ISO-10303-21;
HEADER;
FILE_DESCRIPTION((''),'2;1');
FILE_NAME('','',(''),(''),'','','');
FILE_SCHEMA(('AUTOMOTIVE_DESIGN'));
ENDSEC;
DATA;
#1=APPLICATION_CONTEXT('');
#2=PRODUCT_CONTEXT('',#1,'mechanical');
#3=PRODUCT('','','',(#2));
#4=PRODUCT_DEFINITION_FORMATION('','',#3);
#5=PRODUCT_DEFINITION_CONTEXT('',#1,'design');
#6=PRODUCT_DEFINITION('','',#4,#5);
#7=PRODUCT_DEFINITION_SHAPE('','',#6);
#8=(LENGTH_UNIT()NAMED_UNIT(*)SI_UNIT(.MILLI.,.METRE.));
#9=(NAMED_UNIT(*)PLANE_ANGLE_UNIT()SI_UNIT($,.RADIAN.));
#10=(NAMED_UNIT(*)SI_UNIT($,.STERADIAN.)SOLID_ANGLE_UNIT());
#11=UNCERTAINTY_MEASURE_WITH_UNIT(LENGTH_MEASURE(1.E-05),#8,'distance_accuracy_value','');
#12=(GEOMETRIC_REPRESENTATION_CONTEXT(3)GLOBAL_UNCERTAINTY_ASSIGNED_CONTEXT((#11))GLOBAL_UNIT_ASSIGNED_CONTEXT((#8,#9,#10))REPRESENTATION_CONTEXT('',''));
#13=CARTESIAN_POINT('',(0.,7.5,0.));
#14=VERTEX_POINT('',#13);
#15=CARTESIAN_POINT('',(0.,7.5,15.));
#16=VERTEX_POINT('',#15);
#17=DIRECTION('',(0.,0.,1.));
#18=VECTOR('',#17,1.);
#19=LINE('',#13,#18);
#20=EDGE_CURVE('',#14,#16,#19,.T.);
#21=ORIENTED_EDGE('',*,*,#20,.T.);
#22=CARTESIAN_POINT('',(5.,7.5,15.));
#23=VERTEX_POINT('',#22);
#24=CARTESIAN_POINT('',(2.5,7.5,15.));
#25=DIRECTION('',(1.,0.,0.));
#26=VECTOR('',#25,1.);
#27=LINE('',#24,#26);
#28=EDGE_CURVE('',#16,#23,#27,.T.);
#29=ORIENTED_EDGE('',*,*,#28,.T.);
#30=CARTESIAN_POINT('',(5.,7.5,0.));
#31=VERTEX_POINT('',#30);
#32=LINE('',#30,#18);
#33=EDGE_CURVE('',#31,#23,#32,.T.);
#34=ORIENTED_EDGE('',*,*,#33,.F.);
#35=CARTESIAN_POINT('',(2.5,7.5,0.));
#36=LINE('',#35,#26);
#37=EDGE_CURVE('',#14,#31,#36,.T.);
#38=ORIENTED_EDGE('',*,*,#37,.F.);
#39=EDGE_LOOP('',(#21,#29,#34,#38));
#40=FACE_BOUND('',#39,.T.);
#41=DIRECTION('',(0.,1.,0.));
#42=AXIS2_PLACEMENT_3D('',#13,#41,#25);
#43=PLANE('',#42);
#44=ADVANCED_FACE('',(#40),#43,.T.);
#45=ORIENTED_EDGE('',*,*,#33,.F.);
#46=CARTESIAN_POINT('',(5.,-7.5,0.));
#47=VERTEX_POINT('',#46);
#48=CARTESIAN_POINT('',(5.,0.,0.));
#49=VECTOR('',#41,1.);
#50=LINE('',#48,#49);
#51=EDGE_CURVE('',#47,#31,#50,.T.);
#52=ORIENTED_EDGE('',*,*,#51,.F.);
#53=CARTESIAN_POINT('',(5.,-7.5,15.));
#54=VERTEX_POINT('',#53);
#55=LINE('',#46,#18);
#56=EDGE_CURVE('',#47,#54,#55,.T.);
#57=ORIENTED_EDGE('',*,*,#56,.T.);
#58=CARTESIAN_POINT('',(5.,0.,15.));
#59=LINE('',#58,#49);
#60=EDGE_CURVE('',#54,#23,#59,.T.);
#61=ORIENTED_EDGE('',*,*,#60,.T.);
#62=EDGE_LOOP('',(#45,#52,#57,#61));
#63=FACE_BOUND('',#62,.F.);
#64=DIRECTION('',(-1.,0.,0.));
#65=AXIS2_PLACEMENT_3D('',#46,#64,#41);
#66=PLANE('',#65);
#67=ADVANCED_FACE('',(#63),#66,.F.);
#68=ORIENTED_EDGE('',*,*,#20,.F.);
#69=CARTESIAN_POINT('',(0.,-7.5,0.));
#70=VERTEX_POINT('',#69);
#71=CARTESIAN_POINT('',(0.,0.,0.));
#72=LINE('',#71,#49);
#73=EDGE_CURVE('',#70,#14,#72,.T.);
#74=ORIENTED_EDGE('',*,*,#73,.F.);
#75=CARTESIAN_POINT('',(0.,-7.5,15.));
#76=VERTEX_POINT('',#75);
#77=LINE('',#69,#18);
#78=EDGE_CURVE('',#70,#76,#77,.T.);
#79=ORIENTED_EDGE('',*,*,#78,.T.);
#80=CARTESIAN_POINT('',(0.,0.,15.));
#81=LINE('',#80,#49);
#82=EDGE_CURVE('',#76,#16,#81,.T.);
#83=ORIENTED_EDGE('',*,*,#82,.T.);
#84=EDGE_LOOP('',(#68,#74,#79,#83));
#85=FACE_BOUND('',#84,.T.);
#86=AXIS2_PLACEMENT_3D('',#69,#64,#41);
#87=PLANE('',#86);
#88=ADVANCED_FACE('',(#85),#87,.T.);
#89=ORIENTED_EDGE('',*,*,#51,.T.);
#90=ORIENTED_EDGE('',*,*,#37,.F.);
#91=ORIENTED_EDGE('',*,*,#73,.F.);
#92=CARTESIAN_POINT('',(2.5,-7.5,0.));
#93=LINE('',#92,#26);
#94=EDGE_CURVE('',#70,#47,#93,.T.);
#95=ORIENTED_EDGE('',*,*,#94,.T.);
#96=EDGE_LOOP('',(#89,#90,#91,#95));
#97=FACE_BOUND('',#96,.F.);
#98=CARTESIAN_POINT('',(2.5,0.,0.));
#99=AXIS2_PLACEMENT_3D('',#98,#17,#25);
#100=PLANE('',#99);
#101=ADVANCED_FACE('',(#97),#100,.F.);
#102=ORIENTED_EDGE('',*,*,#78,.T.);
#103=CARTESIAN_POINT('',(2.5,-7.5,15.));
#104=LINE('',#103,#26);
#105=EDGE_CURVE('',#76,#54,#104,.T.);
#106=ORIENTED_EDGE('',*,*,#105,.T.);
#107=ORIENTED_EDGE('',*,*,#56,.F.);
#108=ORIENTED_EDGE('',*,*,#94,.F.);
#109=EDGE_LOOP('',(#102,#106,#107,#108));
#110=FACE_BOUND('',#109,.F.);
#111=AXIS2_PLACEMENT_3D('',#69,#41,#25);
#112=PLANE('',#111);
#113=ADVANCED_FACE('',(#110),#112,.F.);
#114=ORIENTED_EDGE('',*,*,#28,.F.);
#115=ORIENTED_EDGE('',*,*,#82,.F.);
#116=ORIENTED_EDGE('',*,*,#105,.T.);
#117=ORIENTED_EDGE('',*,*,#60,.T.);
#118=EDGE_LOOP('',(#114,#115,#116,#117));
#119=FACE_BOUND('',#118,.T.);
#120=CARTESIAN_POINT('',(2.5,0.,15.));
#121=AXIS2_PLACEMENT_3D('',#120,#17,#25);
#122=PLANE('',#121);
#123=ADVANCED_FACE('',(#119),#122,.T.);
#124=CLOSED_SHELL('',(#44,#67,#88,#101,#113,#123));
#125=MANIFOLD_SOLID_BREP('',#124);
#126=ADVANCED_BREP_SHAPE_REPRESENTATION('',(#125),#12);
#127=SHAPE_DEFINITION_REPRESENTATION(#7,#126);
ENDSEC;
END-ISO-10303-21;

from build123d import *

# Parameters (mm, degrees)
SKETCH_W  = 5
SKETCH_H  = 15
PAD_DEPTH = 15


with BuildPart() as part:
    # Sketch → Pad (new body)
    with BuildSketch(Plane.XY):
        with Locations((2.5, 0)):
            Rectangle(SKETCH_W, SKETCH_H)
    extrude(amount=PAD_DEPTH)


solid = part.part
